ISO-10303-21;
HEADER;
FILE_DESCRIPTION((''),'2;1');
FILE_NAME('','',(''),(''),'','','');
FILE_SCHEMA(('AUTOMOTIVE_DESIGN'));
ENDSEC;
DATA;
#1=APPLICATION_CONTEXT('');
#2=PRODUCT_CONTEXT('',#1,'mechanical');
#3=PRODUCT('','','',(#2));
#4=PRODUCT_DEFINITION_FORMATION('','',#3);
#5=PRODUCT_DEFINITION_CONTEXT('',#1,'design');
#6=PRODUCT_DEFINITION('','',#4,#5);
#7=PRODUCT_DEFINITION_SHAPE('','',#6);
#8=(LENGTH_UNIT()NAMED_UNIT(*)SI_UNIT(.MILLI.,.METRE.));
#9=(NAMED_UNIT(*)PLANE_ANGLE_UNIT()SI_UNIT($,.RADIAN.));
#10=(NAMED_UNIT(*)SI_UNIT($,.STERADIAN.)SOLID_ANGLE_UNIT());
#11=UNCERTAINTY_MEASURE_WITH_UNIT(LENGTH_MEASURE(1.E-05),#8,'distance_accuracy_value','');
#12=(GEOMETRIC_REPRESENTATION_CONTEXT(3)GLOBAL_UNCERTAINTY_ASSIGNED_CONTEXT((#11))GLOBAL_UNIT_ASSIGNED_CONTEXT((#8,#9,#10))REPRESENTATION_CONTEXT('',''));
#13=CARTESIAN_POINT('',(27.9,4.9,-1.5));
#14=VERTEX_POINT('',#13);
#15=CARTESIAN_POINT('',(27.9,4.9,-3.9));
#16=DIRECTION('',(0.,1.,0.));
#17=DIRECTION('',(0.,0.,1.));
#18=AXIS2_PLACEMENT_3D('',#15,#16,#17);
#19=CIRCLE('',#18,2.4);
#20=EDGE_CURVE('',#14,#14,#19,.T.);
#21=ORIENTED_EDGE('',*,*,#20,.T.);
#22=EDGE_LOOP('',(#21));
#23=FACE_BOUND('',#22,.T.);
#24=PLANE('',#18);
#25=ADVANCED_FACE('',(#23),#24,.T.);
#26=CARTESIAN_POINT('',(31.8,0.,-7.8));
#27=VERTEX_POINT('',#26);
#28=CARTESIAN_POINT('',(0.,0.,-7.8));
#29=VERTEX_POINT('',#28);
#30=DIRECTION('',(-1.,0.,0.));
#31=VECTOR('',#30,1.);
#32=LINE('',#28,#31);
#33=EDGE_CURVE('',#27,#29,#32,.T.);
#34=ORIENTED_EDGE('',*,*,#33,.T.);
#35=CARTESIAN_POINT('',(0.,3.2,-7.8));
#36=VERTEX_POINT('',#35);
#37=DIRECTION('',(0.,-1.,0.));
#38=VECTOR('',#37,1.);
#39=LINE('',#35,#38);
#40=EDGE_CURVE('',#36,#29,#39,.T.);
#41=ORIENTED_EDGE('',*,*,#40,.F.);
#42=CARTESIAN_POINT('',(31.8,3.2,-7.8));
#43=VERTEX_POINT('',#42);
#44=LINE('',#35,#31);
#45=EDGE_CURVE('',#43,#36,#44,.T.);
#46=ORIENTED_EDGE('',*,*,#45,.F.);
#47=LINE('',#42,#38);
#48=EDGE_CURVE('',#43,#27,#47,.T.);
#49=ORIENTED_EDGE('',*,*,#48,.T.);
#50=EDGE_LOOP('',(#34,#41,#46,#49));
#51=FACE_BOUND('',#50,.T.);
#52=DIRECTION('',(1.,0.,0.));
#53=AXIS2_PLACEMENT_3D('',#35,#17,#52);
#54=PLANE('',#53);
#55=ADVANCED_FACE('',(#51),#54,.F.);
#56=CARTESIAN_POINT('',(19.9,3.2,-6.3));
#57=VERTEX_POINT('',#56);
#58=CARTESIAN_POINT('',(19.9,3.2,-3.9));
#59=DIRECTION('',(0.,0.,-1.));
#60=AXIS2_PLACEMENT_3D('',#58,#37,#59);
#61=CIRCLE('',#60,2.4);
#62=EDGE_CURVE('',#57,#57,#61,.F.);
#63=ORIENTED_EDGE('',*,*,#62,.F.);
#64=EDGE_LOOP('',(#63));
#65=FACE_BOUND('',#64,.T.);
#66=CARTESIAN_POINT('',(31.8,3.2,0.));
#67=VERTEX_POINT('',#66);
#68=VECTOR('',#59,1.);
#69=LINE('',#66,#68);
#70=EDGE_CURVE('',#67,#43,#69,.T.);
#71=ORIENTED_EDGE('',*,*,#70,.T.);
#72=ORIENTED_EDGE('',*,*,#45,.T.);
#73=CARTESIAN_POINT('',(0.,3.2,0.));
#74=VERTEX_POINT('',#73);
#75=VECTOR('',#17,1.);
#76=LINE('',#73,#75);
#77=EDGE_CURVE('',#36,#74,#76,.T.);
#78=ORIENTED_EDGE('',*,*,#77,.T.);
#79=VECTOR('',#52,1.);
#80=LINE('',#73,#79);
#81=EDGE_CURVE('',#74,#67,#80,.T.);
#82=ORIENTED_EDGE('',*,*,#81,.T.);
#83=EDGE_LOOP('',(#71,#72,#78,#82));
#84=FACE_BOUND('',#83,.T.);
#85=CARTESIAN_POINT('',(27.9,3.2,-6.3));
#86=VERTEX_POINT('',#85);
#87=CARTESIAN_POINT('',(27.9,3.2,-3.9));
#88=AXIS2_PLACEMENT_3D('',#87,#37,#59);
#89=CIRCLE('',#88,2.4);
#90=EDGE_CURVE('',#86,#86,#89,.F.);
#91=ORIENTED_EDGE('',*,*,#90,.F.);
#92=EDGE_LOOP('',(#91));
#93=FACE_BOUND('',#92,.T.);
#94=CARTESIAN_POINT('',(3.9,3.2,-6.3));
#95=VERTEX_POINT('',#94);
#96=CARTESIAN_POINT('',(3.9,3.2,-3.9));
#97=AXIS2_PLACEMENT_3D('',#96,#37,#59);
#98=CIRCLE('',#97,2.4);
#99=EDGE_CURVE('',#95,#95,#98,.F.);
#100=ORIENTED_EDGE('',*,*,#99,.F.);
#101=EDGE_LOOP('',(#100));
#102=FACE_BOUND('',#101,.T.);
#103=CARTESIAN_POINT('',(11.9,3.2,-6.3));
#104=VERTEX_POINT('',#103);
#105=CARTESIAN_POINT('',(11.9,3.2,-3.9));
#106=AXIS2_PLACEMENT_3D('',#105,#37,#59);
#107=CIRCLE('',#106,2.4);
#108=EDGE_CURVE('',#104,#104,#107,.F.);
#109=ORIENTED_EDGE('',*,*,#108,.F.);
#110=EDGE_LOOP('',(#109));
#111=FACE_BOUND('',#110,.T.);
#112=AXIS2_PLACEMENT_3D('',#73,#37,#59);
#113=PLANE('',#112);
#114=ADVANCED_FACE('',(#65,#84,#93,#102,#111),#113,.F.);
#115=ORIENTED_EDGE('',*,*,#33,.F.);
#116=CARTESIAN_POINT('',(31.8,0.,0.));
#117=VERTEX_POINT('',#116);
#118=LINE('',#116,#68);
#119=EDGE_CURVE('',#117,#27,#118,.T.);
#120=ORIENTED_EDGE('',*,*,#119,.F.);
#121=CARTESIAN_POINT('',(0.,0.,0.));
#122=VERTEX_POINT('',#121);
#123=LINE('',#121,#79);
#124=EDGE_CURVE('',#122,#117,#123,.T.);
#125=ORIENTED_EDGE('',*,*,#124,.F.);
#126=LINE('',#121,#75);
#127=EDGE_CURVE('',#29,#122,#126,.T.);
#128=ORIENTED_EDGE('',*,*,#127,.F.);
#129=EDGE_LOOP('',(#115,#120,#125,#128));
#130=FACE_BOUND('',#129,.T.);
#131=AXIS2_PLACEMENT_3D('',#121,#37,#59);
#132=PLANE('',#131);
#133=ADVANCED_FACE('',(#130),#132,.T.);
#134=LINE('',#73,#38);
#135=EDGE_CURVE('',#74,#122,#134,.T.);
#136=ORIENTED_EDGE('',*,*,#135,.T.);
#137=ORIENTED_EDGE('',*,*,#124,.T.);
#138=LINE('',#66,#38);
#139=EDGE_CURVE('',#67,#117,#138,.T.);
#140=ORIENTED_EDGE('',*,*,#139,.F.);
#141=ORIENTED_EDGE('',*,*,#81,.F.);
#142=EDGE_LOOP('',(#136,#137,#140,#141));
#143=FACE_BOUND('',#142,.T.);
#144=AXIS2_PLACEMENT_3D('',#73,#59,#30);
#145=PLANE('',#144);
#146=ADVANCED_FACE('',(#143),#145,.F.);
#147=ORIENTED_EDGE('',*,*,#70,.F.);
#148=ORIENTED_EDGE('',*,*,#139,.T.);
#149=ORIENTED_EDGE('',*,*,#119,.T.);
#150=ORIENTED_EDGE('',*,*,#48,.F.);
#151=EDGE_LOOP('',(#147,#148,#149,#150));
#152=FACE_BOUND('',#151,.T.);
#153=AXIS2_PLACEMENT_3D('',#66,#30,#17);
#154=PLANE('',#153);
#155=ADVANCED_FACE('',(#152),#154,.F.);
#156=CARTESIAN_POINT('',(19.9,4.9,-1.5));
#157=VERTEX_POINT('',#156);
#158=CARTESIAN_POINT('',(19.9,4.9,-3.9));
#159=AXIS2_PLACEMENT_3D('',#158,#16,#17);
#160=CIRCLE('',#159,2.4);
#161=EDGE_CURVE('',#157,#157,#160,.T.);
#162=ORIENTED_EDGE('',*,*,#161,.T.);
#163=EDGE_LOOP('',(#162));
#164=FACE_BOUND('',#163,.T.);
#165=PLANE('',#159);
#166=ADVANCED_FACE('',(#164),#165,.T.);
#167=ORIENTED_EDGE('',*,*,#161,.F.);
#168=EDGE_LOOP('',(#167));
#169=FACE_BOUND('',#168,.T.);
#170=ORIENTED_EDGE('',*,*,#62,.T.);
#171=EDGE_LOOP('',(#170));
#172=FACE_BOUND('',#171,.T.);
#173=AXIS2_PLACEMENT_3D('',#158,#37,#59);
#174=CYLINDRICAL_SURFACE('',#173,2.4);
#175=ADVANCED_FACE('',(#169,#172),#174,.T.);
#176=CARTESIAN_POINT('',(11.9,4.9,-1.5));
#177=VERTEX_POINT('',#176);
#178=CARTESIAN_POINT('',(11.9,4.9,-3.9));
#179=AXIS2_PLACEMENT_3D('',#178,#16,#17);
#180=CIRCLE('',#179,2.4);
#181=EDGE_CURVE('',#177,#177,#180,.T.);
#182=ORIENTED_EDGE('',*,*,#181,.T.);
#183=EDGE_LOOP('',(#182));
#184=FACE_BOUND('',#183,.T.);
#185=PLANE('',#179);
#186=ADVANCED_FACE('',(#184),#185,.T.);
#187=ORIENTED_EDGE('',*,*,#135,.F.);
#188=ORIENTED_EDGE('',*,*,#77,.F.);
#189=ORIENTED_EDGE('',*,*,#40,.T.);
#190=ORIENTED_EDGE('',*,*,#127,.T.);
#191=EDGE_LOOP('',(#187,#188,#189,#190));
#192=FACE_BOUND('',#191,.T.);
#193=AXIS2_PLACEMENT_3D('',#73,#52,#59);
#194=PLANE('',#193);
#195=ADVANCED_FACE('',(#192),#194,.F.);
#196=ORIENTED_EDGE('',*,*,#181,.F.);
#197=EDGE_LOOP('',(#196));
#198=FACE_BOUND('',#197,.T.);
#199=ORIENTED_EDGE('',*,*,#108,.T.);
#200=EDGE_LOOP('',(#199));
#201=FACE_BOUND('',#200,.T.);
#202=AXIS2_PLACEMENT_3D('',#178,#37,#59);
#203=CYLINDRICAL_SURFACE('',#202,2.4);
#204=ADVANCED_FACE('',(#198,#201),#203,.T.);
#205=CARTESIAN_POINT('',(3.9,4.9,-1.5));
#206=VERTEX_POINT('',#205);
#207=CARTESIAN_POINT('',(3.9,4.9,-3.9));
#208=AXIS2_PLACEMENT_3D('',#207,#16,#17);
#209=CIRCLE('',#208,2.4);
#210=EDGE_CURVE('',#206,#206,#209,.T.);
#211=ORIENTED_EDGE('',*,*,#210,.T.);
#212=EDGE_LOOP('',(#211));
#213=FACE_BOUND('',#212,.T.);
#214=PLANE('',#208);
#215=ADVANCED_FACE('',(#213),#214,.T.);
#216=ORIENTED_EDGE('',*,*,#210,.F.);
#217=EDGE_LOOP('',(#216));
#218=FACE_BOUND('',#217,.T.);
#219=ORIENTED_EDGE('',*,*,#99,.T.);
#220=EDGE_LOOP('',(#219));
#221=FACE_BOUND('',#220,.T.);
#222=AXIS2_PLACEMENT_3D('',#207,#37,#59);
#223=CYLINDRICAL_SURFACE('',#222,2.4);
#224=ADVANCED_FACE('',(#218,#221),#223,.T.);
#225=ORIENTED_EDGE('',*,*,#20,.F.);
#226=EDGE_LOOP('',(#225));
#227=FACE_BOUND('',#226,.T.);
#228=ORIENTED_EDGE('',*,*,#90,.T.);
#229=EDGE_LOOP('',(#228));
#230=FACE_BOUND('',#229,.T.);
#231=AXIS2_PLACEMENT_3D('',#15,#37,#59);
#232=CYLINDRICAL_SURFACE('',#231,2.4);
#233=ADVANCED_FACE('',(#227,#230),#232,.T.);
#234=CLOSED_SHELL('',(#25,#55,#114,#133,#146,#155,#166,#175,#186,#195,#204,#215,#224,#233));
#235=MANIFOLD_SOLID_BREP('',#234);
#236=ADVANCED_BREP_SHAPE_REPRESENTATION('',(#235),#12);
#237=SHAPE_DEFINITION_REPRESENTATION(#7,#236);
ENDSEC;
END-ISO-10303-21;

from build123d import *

# Parameters (mm, degrees)
BASE_SKETCH_W    = 31.8
BASE_SKETCH_H    = 7.8
BASE_BRICK_DEPTH = 3.2
CIRCLE_SKETCH_R  = 2.4
CIRCLE_DEPTH     = 1.7
LPATTERN1_COUNT  = 4
LPATTERN1_PITCH  = 8


with BuildPart() as part:
    # Base_Sketch → Base_Brick (new body)
    with BuildSketch(Plane(origin=(0, 0, 0), x_dir=(1, 0, 0), z_dir=(0, 1, 0))):
        with Locations((15.9, 3.9)):
            Rectangle(BASE_SKETCH_W, BASE_SKETCH_H)
    extrude(amount=BASE_BRICK_DEPTH)

    # Circle_Sketch → Circle (add)
    with BuildSketch(Plane(origin=(0, 3.2, 0), x_dir=(1, 0, 0), z_dir=(0, 1, 0))):
        with Locations(Location((3.9, 3.9, 0), (0, 0, 90))):
            Circle(CIRCLE_SKETCH_R)
    circle = extrude(amount=CIRCLE_DEPTH)

    # LPattern1: Circle ×4
    with Locations(*[(i * LPATTERN1_PITCH, 0, 0) for i in range(1, LPATTERN1_COUNT)]):
        add(circle)


solid = part.part
